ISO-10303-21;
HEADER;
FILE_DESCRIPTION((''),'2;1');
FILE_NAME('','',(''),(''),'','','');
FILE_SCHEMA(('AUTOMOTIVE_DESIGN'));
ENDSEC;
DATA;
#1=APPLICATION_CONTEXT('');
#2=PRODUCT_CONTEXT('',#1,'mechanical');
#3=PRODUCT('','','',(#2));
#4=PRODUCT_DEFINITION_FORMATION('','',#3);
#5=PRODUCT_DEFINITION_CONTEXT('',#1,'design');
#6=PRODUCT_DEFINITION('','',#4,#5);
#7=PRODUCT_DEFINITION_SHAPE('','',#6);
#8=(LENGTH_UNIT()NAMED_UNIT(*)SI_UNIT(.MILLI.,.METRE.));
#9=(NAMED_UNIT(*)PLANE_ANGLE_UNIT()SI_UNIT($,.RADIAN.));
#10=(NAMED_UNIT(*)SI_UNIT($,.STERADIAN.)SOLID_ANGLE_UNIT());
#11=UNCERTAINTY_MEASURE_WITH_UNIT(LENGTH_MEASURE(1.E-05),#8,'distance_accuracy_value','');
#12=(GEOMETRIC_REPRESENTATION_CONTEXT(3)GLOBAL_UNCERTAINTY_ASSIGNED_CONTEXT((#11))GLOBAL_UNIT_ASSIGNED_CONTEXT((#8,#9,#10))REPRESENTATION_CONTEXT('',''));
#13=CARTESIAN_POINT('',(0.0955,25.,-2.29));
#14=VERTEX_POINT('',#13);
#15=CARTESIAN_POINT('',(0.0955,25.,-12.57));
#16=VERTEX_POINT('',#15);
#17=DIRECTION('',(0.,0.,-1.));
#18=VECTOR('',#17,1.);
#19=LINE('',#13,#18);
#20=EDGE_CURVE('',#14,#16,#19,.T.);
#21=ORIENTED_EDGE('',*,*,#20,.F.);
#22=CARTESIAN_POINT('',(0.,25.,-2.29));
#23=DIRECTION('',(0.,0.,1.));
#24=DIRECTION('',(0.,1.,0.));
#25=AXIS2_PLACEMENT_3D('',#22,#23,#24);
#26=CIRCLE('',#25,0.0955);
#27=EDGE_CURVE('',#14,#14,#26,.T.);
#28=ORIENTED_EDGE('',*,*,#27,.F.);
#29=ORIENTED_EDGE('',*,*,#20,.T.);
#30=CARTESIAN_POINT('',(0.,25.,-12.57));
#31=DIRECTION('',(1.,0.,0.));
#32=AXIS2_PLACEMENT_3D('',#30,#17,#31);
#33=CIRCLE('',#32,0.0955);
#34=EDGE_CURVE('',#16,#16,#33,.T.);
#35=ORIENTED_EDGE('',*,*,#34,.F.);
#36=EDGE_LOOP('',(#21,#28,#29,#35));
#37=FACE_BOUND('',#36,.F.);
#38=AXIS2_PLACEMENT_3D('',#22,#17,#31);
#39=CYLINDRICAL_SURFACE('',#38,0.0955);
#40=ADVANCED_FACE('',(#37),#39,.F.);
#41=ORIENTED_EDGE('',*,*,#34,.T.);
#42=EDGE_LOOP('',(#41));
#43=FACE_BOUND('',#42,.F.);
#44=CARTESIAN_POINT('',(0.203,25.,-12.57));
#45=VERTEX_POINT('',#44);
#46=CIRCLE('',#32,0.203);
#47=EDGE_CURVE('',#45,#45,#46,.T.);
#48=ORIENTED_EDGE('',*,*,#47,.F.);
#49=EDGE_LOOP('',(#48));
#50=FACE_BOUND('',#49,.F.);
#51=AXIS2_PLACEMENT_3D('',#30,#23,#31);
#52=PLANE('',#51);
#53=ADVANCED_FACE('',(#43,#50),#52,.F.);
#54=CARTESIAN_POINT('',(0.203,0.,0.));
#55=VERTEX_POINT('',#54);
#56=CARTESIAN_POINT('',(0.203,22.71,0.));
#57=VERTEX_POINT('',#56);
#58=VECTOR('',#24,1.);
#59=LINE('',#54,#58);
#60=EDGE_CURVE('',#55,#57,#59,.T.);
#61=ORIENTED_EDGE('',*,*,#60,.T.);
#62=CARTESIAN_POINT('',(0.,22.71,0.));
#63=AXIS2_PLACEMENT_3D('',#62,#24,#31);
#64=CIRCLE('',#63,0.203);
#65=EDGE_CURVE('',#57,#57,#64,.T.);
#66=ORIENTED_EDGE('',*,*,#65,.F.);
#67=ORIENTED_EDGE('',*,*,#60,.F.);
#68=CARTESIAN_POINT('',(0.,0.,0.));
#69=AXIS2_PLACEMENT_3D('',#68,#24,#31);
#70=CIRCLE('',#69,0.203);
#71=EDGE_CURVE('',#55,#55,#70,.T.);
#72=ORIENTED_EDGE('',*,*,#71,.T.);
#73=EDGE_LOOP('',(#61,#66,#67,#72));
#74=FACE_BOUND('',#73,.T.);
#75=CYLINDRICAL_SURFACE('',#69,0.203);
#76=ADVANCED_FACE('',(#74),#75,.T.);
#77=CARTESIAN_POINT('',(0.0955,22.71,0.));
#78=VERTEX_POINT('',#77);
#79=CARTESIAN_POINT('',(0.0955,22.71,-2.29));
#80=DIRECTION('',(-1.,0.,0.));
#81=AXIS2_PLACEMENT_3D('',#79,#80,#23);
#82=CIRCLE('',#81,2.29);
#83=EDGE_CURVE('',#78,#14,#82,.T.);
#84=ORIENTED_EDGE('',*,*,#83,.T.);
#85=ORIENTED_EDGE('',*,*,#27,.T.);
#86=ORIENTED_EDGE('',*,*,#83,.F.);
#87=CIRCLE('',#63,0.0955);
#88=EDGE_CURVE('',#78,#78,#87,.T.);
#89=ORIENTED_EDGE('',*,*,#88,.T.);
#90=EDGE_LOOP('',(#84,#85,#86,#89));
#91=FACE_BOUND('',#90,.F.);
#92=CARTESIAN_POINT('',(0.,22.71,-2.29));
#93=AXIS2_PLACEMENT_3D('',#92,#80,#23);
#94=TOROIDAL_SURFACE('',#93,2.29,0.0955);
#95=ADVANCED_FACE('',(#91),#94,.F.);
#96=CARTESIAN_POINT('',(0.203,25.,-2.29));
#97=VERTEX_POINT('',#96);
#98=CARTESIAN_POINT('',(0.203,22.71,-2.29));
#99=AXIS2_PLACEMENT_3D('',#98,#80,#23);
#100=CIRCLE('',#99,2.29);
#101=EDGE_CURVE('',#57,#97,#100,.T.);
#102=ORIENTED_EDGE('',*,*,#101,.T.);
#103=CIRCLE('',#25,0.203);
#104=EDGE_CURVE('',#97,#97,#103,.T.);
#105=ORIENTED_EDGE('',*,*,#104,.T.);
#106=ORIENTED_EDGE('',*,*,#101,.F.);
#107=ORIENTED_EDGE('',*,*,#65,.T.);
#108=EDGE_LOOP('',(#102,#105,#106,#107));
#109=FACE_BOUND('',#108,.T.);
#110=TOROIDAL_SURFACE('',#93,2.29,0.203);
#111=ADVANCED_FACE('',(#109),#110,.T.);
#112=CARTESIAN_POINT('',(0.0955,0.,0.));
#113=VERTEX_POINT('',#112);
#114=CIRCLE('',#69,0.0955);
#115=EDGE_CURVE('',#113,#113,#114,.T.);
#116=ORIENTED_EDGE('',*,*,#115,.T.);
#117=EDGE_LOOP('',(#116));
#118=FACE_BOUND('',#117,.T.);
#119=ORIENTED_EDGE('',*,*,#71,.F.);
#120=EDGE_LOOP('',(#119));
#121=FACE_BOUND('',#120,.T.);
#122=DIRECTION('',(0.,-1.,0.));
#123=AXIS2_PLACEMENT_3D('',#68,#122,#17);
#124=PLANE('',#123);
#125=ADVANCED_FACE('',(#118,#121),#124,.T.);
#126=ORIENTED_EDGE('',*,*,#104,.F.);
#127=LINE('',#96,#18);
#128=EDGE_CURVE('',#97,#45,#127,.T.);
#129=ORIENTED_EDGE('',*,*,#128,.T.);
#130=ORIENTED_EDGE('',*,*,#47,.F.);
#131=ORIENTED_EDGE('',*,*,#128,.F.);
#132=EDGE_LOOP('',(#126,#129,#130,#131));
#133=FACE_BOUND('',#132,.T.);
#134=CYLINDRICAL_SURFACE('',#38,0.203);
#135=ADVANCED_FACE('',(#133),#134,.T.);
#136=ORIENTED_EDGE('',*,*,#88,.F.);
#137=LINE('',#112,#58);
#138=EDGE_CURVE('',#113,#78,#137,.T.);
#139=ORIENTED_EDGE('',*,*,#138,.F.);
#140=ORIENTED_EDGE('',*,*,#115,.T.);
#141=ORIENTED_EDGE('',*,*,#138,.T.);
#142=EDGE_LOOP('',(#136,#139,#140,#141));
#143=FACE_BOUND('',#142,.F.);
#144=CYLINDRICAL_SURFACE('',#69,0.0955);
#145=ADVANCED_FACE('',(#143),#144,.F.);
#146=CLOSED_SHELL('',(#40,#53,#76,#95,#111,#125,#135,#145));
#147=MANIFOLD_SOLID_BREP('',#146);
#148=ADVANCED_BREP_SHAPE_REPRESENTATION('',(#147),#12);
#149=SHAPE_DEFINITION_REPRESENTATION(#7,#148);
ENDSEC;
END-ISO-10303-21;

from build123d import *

# Parameters (mm, degrees)
F1_R   = 0.203
F1_R_2 = 0.0955


with BuildPart() as f2:
    # F2: sweep along a path in F0
    with BuildLine(Plane.YZ) as f2_path:
        Line((0, 0), (22.71, 0))
        ThreePointArc((22.71, 0), (24.3292745289, -0.6707254711), (25, -2.29))
        Line((25, -2.29), (25, -12.57))
    # F1 (on Front) → F2 (sweep)
    with BuildSketch(Plane.XZ):
        Circle(F1_R)
        Circle(F1_R_2, mode=Mode.SUBTRACT)
    sweep(path=f2_path.line)


solid = f2.part
